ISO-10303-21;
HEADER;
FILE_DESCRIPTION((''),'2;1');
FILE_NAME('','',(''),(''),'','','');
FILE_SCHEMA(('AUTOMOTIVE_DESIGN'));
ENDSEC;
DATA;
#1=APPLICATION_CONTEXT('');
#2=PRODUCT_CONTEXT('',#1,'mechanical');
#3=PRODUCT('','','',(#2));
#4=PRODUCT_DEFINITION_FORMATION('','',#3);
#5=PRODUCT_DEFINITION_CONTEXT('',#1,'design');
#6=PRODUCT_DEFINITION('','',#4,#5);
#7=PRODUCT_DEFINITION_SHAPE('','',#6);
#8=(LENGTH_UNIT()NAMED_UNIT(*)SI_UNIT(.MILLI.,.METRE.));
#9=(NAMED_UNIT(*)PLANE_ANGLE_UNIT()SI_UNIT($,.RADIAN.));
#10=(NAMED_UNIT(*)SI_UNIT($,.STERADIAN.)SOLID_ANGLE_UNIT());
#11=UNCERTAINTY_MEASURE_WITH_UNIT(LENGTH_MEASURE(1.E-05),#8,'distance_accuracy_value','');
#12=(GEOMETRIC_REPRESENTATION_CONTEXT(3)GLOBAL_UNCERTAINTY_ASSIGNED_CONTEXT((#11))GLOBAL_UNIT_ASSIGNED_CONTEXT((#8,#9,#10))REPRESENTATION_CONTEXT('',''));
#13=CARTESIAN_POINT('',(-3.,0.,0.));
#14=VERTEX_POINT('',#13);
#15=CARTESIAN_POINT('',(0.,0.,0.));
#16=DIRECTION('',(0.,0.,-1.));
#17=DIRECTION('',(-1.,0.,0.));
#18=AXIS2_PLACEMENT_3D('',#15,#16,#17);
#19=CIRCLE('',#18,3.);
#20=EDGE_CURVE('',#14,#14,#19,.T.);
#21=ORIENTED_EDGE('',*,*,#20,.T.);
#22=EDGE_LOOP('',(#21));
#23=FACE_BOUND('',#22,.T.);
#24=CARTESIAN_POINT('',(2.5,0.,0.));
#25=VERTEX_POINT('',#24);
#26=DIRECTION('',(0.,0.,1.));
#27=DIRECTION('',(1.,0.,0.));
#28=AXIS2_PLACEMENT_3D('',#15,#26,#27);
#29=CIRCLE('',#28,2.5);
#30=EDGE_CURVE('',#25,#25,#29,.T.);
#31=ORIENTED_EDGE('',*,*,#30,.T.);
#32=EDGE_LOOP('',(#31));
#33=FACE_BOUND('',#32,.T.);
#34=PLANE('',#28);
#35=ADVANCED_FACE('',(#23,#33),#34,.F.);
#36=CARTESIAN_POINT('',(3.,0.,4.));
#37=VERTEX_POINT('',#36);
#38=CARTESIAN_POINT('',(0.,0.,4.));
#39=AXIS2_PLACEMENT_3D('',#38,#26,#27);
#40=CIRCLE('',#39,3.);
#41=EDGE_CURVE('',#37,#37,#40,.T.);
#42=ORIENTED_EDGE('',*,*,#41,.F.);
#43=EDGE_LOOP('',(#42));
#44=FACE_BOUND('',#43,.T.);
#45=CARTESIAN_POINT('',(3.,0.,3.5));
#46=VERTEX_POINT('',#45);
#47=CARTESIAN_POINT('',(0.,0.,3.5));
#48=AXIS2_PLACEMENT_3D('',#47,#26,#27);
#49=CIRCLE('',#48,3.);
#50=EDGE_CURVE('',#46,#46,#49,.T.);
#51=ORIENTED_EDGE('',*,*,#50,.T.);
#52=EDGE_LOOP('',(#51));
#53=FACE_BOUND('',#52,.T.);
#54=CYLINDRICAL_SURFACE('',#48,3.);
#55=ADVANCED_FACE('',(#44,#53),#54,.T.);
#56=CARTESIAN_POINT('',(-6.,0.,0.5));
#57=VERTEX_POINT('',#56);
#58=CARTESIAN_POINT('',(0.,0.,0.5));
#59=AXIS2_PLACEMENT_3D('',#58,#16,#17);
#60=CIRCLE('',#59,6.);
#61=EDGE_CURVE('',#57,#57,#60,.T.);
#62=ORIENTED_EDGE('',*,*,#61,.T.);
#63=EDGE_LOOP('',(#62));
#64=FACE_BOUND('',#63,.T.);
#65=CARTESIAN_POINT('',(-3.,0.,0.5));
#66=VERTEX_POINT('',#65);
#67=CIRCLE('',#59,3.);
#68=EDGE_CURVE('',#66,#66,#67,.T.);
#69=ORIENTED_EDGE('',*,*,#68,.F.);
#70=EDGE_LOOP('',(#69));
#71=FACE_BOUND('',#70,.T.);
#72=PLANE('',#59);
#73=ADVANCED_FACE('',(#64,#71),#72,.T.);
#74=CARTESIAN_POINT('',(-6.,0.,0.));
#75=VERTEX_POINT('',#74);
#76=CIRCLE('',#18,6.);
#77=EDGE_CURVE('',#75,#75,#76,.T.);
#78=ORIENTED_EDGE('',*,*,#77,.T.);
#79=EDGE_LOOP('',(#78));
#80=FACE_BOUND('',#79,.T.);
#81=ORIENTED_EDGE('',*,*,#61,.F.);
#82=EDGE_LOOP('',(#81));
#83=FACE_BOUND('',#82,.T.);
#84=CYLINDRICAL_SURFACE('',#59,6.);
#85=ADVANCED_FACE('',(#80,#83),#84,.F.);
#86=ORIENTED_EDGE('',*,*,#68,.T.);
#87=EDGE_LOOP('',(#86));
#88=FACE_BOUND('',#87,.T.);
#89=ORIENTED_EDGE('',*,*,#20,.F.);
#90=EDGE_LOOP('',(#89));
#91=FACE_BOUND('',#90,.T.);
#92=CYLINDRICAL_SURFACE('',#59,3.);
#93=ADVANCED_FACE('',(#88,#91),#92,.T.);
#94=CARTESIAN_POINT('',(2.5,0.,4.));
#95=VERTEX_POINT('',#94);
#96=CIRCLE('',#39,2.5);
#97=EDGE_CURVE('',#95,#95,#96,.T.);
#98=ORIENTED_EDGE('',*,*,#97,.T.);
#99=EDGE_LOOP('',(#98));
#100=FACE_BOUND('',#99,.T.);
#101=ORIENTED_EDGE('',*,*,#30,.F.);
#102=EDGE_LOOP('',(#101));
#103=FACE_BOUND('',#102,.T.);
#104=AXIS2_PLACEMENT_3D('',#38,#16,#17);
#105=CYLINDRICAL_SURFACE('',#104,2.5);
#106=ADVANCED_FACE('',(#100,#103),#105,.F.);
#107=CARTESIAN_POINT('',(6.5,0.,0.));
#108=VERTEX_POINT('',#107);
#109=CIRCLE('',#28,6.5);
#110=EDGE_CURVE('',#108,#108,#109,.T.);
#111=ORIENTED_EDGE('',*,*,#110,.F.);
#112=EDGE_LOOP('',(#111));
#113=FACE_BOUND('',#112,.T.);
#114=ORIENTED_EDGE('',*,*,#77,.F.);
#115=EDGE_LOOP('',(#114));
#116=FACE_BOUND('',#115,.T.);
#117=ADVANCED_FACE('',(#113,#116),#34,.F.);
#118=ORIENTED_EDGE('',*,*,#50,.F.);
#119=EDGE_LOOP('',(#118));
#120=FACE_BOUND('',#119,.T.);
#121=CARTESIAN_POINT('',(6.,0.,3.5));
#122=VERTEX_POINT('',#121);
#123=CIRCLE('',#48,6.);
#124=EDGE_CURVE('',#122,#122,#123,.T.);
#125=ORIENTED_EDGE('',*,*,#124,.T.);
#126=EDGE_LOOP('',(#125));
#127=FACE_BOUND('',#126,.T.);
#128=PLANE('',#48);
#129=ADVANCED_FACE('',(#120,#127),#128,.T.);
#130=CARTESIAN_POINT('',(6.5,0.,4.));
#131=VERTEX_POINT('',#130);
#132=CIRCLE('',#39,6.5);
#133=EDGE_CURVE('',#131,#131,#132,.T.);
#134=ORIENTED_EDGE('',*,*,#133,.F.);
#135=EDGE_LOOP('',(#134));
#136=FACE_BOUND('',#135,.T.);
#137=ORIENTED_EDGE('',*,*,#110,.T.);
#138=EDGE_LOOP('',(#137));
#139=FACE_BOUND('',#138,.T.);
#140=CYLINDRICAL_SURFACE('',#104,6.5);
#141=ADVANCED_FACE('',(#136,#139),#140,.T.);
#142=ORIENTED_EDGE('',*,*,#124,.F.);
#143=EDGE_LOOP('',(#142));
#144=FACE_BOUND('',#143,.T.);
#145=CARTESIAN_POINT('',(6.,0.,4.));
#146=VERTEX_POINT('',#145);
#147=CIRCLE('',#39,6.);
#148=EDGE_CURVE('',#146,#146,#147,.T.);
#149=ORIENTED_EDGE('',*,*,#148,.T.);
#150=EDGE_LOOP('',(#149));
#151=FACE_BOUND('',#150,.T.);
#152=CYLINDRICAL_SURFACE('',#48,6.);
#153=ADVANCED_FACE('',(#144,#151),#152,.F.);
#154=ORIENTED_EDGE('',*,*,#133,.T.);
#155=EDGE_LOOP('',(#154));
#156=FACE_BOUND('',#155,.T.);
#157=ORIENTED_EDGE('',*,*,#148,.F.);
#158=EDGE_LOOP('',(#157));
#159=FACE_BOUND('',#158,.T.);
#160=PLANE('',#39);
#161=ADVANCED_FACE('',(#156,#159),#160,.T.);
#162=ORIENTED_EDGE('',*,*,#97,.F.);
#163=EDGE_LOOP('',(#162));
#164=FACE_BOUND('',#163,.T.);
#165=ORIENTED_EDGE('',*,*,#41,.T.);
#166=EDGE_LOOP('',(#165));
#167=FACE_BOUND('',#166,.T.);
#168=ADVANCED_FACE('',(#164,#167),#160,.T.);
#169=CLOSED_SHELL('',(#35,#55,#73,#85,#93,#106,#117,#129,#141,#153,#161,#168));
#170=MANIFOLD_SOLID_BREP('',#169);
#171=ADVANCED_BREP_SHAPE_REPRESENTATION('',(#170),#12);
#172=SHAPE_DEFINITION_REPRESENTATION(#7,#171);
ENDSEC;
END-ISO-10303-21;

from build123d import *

# Parameters (mm, degrees)
SKETCH_1_R          = 6.5
SKETCH_1_R_2        = 2.5
EXTRUDE_1_DEPTH     = 4
SKETCH_2_R          = 6
SKETCH_2_R_2        = 3
CUT_EXTRUDE_1_DEPTH = 0.5
CUT_EXTRUDE_START   = -0.5
SKETCH_3_R          = 6
SKETCH_3_R_2        = 3
CUT_EXTRUDE_2_DEPTH = 0.5


with BuildPart() as part:
    # 草图1 → 凸台-拉伸1 (new body)
    with BuildSketch(Plane.XY):
        Circle(SKETCH_1_R)
        Circle(SKETCH_1_R_2, mode=Mode.SUBTRACT)
    extrude(amount=EXTRUDE_1_DEPTH)

    # 草图2 → 切除-拉伸1 (cut)
    with BuildSketch(Plane.XY.offset(4)):
        Circle(SKETCH_2_R)
        Circle(SKETCH_2_R_2, mode=Mode.SUBTRACT)
    extrude(amount=-CUT_EXTRUDE_1_DEPTH, mode=Mode.SUBTRACT)

    # 草图3 → 切除-拉伸2 (cut)
    with BuildSketch(Plane(origin=(0, 0, 0), x_dir=(-1, 0, 0), z_dir=(0, 0, -1)).offset(CUT_EXTRUDE_START)):
        with Locations(Location((0, 0, 0), (0, 0, 180))):
            Circle(SKETCH_3_R)
        with Locations(Location((0, 0, 0), (0, 0, 180))):
            Circle(SKETCH_3_R_2, mode=Mode.SUBTRACT)
    extrude(amount=CUT_EXTRUDE_2_DEPTH, mode=Mode.SUBTRACT)


solid = part.part
